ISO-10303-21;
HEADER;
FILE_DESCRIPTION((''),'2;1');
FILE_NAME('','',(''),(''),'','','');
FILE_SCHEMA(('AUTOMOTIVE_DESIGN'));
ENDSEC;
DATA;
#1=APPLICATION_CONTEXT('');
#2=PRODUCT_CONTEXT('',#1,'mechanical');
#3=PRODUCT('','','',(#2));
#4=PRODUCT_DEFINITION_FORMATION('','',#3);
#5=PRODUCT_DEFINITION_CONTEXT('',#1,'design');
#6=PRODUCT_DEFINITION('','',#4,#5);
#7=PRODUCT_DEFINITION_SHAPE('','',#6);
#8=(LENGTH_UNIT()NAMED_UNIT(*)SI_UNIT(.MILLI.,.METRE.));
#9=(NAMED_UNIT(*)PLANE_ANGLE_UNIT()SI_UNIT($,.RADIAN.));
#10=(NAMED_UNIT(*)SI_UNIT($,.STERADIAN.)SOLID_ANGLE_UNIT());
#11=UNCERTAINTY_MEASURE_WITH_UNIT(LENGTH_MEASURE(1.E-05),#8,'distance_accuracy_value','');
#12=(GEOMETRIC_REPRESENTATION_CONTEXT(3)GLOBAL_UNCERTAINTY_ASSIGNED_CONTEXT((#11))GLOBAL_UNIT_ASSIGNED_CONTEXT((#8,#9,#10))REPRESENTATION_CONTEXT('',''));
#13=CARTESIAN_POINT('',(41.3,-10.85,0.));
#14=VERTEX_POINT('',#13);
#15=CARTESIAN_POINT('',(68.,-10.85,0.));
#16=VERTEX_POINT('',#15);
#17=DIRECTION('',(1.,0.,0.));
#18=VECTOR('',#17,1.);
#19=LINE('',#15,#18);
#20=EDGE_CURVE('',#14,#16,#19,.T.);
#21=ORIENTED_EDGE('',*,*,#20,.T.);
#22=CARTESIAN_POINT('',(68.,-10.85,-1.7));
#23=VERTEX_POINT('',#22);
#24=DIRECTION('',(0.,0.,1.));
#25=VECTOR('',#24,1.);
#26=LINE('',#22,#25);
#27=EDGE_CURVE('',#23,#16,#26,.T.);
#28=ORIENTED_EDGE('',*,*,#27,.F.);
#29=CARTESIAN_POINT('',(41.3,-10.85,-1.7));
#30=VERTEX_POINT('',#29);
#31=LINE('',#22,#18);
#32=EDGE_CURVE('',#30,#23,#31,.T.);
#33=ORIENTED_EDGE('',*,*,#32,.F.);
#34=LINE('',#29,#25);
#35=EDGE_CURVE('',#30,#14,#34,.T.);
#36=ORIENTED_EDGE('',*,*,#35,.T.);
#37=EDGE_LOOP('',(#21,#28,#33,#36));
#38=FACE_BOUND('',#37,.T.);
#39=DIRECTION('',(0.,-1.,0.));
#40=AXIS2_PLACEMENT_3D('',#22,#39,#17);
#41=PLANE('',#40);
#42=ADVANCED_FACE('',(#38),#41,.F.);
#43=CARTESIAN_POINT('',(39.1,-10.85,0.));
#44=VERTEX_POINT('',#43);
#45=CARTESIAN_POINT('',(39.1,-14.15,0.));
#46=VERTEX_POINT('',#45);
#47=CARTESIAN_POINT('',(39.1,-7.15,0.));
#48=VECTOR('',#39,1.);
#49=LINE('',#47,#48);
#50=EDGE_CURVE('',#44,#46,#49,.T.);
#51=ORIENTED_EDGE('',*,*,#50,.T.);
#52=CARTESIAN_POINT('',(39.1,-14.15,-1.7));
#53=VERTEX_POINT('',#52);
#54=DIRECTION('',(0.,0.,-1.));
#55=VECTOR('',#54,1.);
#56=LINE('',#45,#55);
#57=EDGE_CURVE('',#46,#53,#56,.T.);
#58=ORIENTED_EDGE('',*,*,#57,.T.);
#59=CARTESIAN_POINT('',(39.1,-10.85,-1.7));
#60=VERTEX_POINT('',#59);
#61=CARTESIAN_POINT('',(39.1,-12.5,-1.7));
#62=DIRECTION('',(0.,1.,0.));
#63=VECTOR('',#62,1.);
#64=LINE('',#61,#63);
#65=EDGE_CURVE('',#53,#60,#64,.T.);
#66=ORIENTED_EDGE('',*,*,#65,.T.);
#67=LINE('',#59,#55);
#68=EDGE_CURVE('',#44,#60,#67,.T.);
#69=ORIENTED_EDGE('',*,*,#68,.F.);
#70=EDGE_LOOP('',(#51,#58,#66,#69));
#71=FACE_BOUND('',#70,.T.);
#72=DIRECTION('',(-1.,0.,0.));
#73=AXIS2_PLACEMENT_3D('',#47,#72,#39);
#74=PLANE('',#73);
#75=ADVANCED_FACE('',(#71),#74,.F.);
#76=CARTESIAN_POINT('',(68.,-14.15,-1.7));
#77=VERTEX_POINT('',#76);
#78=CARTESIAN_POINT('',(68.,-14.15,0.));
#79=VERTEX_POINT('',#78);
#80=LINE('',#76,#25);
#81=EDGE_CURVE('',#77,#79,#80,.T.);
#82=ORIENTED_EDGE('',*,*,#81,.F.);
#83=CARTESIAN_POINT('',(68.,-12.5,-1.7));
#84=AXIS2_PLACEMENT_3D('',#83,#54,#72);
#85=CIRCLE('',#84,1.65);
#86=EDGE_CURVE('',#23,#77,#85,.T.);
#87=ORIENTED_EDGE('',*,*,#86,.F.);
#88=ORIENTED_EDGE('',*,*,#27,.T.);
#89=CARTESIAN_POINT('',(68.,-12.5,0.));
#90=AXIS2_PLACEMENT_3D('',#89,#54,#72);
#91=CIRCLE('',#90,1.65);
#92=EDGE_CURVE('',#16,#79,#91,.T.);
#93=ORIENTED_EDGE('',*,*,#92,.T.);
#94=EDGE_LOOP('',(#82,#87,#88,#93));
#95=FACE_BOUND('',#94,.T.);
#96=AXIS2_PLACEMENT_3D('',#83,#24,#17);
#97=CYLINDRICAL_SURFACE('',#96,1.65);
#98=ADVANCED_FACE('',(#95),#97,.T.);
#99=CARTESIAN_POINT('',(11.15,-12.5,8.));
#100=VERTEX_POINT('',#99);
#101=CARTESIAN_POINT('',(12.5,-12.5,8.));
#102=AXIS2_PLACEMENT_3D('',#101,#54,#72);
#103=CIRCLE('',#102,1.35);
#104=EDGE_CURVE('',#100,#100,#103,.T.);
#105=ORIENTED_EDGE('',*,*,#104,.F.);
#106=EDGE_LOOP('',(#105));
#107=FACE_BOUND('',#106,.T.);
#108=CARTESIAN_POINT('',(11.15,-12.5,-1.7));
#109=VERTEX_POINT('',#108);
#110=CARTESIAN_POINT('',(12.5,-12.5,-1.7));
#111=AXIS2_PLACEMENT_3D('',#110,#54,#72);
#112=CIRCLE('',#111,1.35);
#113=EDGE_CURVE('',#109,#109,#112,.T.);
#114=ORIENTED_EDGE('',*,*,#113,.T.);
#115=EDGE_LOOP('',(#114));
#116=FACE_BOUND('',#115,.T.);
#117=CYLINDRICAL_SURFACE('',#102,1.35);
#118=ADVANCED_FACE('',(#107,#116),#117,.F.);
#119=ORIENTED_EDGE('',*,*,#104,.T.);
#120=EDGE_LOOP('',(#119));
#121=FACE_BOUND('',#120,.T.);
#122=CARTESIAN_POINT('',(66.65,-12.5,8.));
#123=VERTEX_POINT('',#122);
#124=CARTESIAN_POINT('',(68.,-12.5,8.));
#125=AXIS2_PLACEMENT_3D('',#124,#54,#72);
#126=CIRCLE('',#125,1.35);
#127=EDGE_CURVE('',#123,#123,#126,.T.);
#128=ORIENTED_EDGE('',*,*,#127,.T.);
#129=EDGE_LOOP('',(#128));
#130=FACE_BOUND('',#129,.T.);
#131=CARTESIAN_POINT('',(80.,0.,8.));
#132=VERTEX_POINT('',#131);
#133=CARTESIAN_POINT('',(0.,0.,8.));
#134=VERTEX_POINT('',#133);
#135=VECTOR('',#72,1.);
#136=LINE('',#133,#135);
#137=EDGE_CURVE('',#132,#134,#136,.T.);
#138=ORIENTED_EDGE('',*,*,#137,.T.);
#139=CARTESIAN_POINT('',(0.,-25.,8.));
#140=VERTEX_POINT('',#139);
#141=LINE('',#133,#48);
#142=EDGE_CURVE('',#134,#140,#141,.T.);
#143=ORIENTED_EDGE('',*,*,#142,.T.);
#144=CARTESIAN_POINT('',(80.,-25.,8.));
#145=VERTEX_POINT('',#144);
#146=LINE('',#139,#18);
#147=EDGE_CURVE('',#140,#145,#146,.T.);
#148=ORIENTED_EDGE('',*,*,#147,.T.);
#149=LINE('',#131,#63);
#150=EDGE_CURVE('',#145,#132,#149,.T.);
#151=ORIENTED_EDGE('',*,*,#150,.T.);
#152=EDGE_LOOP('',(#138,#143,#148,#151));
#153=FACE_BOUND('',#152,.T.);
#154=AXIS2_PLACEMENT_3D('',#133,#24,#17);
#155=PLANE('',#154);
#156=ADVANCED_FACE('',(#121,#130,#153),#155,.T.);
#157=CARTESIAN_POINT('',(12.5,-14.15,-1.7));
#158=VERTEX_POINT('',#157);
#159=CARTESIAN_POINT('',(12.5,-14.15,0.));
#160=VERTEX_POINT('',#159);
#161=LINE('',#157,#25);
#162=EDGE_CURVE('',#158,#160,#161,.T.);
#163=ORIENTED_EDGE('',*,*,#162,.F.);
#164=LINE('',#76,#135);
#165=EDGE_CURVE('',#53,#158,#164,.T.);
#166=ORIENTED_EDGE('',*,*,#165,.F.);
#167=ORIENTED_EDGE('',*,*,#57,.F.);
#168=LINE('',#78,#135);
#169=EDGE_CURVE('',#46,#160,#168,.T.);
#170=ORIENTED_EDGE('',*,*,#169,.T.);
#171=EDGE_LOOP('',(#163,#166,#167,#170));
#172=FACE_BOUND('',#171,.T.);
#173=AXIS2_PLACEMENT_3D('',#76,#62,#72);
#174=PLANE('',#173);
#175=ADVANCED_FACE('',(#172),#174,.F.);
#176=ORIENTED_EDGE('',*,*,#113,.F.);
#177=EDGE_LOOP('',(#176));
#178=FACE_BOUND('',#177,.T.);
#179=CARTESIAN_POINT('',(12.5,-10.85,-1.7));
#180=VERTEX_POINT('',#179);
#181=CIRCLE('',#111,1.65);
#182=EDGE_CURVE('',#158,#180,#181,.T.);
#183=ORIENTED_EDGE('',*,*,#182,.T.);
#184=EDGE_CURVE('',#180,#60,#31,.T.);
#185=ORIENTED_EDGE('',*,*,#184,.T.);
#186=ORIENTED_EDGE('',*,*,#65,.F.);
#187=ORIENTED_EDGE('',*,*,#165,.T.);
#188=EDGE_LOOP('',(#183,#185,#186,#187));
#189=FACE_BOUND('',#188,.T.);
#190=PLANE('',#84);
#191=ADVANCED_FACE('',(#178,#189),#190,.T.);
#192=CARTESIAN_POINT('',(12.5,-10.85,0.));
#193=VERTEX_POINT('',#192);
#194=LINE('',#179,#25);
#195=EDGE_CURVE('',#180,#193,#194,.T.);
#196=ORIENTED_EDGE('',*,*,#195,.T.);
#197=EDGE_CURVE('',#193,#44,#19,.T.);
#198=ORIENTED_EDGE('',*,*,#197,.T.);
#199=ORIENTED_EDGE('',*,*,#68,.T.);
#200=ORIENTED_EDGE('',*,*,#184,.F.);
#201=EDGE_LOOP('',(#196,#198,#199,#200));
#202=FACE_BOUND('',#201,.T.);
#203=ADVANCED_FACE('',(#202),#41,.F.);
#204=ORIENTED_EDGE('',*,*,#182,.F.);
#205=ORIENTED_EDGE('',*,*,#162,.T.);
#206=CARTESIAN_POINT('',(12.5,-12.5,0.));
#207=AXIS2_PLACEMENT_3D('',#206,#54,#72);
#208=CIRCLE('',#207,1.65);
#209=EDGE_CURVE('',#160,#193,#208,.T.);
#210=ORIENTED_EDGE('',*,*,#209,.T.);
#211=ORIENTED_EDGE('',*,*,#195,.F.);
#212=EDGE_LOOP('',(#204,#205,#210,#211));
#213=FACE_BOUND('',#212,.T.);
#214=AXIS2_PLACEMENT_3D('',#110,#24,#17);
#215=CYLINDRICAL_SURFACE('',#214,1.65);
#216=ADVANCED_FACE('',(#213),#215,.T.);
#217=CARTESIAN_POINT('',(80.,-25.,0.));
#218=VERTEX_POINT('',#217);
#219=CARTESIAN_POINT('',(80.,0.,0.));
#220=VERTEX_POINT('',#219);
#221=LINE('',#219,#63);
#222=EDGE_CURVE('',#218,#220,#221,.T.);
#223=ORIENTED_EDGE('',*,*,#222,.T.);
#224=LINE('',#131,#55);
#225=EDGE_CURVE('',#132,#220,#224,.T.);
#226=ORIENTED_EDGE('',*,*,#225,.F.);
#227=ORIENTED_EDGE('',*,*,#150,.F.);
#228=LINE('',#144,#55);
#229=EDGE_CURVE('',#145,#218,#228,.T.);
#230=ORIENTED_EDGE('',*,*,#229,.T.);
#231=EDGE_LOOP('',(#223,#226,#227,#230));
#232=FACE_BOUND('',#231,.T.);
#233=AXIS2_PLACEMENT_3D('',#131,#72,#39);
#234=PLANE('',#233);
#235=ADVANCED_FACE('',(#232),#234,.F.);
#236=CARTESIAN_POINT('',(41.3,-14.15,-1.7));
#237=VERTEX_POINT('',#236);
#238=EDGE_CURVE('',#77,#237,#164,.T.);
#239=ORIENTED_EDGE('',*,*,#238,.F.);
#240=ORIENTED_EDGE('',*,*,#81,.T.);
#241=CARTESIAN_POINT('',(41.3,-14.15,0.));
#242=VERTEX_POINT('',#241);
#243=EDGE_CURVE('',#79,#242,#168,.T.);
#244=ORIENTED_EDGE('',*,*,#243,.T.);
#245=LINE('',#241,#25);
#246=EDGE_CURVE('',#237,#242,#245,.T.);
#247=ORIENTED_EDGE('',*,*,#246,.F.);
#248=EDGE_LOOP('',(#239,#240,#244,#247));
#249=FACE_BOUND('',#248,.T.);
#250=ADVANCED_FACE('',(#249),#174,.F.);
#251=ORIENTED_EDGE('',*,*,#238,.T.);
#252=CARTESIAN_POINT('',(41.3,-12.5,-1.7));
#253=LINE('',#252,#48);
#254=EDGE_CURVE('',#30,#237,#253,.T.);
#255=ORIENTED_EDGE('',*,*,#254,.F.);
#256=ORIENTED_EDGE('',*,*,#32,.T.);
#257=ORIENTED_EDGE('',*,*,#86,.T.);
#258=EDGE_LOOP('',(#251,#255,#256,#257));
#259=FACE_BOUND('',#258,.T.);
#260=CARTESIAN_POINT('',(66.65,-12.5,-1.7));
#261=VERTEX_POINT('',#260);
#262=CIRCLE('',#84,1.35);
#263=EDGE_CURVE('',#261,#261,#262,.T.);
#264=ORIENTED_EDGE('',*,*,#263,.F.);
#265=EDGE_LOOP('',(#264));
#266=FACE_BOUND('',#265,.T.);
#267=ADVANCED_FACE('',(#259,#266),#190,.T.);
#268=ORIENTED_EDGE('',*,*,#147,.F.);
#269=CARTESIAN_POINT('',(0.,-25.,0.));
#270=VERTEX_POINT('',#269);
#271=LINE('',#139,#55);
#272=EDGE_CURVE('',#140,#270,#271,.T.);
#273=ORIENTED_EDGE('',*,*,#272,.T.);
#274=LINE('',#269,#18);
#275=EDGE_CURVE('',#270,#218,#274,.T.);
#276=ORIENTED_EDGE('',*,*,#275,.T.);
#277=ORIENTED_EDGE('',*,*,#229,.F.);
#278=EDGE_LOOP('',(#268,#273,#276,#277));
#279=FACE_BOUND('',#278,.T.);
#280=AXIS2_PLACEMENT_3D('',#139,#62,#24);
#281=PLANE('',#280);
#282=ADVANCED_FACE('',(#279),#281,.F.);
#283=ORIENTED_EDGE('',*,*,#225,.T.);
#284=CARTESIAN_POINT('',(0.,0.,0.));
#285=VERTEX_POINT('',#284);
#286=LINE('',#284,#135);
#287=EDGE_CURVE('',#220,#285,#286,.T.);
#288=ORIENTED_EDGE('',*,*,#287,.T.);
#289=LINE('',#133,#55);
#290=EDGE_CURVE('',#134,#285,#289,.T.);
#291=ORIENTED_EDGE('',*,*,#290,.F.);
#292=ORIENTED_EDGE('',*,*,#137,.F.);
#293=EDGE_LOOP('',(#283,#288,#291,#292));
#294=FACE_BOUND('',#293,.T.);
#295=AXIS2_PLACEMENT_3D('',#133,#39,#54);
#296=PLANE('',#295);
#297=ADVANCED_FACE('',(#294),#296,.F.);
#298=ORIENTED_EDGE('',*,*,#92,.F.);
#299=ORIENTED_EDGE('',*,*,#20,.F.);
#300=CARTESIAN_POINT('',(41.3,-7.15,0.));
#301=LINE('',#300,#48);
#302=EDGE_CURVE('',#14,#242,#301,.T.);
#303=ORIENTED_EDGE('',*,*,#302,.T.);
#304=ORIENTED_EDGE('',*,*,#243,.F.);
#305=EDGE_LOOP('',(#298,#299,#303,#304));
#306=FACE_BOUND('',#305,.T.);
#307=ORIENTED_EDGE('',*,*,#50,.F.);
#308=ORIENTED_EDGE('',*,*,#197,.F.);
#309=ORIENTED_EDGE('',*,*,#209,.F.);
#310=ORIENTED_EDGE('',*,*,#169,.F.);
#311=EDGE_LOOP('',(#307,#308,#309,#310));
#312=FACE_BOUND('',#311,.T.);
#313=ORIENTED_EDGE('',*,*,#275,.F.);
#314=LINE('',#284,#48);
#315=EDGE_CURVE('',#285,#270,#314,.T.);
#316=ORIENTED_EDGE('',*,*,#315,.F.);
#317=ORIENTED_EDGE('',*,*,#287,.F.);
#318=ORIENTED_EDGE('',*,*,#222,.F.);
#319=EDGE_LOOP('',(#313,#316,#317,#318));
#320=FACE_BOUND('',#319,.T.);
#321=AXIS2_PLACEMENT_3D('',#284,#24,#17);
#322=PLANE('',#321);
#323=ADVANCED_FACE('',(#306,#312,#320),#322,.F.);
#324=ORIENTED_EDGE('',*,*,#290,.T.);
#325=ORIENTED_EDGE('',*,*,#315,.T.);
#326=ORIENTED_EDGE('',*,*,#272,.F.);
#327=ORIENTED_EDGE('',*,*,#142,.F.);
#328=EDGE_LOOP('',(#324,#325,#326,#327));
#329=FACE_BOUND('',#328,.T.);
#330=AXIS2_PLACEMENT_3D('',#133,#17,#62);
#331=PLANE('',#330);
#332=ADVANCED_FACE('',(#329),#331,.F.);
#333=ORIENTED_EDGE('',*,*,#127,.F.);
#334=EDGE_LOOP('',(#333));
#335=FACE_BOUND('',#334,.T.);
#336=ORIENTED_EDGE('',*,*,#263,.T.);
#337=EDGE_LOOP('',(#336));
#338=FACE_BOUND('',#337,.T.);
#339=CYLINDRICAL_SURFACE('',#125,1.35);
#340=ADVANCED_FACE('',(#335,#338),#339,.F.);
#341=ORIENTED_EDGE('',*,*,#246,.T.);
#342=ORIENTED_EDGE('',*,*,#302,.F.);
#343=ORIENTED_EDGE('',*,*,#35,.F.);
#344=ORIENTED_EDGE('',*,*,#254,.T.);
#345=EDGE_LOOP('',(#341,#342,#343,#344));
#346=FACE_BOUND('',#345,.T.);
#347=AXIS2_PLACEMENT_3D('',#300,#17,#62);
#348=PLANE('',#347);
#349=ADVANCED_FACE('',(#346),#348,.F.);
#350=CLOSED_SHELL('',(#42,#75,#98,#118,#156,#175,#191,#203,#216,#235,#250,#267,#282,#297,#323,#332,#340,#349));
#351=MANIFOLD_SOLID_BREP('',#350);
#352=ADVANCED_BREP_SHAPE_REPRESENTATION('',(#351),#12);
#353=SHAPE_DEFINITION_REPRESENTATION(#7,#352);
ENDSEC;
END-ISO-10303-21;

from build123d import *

# Parameters (mm, degrees)
SKETCH_1_W          = 80
SKETCH_1_H          = 25
EXTRUDE_1_DEPTH     = 8
EXTRUDE_2_DEPTH     = 1.7
SKETCH_5_W          = 2.2
SKETCH_5_H          = 1.7
CUT_EXTRUDE_1_DEPTH = 7
SKETCH_3_R          = 1.35
CUT_EXTRUDE_2_DEPTH = 85.374699999


with BuildPart() as part:
    # 草图1 → 凸台-拉伸1 (new body)
    with BuildSketch(Plane.XY):
        with Locations((40, -12.5)):
            Rectangle(SKETCH_1_W, SKETCH_1_H)
    extrude(amount=EXTRUDE_1_DEPTH)

    # 草图2 → 凸台-拉伸2 (add)
    with BuildSketch(Plane(origin=(0, 0, 0), x_dir=(-1, 0, 0), z_dir=(0, 0, -1))):
        with BuildLine():
            Line((-68, -10.85), (-12.5, -10.85))
            ThreePointArc((-12.5, -10.85), (-10.85, -12.5), (-12.5, -14.15))
            Line((-12.5, -14.15), (-68, -14.15))
            ThreePointArc((-68, -14.15), (-69.65, -12.5), (-68, -10.85))
        make_face()
    extrude(amount=EXTRUDE_2_DEPTH)

    # 草图5 → 切除-拉伸1 (cut)
    with BuildSketch(Plane.XZ.offset(14.15)):
        with Locations((40.2, -0.85)):
            Rectangle(SKETCH_5_W, SKETCH_5_H)
    extrude(amount=-CUT_EXTRUDE_1_DEPTH, mode=Mode.SUBTRACT)

    # 草图3 → 切除-拉伸2 (cut, through all)
    with BuildSketch(Plane(origin=(0, 0, -1.7), x_dir=(-1, 0, 0), z_dir=(0, 0, -1))):
        with Locations((-68, -12.5)):
            Circle(SKETCH_3_R)
        with Locations((-12.5, -12.5)):
            Circle(SKETCH_3_R)
    extrude(amount=-CUT_EXTRUDE_2_DEPTH, mode=Mode.SUBTRACT)


solid = part.part
